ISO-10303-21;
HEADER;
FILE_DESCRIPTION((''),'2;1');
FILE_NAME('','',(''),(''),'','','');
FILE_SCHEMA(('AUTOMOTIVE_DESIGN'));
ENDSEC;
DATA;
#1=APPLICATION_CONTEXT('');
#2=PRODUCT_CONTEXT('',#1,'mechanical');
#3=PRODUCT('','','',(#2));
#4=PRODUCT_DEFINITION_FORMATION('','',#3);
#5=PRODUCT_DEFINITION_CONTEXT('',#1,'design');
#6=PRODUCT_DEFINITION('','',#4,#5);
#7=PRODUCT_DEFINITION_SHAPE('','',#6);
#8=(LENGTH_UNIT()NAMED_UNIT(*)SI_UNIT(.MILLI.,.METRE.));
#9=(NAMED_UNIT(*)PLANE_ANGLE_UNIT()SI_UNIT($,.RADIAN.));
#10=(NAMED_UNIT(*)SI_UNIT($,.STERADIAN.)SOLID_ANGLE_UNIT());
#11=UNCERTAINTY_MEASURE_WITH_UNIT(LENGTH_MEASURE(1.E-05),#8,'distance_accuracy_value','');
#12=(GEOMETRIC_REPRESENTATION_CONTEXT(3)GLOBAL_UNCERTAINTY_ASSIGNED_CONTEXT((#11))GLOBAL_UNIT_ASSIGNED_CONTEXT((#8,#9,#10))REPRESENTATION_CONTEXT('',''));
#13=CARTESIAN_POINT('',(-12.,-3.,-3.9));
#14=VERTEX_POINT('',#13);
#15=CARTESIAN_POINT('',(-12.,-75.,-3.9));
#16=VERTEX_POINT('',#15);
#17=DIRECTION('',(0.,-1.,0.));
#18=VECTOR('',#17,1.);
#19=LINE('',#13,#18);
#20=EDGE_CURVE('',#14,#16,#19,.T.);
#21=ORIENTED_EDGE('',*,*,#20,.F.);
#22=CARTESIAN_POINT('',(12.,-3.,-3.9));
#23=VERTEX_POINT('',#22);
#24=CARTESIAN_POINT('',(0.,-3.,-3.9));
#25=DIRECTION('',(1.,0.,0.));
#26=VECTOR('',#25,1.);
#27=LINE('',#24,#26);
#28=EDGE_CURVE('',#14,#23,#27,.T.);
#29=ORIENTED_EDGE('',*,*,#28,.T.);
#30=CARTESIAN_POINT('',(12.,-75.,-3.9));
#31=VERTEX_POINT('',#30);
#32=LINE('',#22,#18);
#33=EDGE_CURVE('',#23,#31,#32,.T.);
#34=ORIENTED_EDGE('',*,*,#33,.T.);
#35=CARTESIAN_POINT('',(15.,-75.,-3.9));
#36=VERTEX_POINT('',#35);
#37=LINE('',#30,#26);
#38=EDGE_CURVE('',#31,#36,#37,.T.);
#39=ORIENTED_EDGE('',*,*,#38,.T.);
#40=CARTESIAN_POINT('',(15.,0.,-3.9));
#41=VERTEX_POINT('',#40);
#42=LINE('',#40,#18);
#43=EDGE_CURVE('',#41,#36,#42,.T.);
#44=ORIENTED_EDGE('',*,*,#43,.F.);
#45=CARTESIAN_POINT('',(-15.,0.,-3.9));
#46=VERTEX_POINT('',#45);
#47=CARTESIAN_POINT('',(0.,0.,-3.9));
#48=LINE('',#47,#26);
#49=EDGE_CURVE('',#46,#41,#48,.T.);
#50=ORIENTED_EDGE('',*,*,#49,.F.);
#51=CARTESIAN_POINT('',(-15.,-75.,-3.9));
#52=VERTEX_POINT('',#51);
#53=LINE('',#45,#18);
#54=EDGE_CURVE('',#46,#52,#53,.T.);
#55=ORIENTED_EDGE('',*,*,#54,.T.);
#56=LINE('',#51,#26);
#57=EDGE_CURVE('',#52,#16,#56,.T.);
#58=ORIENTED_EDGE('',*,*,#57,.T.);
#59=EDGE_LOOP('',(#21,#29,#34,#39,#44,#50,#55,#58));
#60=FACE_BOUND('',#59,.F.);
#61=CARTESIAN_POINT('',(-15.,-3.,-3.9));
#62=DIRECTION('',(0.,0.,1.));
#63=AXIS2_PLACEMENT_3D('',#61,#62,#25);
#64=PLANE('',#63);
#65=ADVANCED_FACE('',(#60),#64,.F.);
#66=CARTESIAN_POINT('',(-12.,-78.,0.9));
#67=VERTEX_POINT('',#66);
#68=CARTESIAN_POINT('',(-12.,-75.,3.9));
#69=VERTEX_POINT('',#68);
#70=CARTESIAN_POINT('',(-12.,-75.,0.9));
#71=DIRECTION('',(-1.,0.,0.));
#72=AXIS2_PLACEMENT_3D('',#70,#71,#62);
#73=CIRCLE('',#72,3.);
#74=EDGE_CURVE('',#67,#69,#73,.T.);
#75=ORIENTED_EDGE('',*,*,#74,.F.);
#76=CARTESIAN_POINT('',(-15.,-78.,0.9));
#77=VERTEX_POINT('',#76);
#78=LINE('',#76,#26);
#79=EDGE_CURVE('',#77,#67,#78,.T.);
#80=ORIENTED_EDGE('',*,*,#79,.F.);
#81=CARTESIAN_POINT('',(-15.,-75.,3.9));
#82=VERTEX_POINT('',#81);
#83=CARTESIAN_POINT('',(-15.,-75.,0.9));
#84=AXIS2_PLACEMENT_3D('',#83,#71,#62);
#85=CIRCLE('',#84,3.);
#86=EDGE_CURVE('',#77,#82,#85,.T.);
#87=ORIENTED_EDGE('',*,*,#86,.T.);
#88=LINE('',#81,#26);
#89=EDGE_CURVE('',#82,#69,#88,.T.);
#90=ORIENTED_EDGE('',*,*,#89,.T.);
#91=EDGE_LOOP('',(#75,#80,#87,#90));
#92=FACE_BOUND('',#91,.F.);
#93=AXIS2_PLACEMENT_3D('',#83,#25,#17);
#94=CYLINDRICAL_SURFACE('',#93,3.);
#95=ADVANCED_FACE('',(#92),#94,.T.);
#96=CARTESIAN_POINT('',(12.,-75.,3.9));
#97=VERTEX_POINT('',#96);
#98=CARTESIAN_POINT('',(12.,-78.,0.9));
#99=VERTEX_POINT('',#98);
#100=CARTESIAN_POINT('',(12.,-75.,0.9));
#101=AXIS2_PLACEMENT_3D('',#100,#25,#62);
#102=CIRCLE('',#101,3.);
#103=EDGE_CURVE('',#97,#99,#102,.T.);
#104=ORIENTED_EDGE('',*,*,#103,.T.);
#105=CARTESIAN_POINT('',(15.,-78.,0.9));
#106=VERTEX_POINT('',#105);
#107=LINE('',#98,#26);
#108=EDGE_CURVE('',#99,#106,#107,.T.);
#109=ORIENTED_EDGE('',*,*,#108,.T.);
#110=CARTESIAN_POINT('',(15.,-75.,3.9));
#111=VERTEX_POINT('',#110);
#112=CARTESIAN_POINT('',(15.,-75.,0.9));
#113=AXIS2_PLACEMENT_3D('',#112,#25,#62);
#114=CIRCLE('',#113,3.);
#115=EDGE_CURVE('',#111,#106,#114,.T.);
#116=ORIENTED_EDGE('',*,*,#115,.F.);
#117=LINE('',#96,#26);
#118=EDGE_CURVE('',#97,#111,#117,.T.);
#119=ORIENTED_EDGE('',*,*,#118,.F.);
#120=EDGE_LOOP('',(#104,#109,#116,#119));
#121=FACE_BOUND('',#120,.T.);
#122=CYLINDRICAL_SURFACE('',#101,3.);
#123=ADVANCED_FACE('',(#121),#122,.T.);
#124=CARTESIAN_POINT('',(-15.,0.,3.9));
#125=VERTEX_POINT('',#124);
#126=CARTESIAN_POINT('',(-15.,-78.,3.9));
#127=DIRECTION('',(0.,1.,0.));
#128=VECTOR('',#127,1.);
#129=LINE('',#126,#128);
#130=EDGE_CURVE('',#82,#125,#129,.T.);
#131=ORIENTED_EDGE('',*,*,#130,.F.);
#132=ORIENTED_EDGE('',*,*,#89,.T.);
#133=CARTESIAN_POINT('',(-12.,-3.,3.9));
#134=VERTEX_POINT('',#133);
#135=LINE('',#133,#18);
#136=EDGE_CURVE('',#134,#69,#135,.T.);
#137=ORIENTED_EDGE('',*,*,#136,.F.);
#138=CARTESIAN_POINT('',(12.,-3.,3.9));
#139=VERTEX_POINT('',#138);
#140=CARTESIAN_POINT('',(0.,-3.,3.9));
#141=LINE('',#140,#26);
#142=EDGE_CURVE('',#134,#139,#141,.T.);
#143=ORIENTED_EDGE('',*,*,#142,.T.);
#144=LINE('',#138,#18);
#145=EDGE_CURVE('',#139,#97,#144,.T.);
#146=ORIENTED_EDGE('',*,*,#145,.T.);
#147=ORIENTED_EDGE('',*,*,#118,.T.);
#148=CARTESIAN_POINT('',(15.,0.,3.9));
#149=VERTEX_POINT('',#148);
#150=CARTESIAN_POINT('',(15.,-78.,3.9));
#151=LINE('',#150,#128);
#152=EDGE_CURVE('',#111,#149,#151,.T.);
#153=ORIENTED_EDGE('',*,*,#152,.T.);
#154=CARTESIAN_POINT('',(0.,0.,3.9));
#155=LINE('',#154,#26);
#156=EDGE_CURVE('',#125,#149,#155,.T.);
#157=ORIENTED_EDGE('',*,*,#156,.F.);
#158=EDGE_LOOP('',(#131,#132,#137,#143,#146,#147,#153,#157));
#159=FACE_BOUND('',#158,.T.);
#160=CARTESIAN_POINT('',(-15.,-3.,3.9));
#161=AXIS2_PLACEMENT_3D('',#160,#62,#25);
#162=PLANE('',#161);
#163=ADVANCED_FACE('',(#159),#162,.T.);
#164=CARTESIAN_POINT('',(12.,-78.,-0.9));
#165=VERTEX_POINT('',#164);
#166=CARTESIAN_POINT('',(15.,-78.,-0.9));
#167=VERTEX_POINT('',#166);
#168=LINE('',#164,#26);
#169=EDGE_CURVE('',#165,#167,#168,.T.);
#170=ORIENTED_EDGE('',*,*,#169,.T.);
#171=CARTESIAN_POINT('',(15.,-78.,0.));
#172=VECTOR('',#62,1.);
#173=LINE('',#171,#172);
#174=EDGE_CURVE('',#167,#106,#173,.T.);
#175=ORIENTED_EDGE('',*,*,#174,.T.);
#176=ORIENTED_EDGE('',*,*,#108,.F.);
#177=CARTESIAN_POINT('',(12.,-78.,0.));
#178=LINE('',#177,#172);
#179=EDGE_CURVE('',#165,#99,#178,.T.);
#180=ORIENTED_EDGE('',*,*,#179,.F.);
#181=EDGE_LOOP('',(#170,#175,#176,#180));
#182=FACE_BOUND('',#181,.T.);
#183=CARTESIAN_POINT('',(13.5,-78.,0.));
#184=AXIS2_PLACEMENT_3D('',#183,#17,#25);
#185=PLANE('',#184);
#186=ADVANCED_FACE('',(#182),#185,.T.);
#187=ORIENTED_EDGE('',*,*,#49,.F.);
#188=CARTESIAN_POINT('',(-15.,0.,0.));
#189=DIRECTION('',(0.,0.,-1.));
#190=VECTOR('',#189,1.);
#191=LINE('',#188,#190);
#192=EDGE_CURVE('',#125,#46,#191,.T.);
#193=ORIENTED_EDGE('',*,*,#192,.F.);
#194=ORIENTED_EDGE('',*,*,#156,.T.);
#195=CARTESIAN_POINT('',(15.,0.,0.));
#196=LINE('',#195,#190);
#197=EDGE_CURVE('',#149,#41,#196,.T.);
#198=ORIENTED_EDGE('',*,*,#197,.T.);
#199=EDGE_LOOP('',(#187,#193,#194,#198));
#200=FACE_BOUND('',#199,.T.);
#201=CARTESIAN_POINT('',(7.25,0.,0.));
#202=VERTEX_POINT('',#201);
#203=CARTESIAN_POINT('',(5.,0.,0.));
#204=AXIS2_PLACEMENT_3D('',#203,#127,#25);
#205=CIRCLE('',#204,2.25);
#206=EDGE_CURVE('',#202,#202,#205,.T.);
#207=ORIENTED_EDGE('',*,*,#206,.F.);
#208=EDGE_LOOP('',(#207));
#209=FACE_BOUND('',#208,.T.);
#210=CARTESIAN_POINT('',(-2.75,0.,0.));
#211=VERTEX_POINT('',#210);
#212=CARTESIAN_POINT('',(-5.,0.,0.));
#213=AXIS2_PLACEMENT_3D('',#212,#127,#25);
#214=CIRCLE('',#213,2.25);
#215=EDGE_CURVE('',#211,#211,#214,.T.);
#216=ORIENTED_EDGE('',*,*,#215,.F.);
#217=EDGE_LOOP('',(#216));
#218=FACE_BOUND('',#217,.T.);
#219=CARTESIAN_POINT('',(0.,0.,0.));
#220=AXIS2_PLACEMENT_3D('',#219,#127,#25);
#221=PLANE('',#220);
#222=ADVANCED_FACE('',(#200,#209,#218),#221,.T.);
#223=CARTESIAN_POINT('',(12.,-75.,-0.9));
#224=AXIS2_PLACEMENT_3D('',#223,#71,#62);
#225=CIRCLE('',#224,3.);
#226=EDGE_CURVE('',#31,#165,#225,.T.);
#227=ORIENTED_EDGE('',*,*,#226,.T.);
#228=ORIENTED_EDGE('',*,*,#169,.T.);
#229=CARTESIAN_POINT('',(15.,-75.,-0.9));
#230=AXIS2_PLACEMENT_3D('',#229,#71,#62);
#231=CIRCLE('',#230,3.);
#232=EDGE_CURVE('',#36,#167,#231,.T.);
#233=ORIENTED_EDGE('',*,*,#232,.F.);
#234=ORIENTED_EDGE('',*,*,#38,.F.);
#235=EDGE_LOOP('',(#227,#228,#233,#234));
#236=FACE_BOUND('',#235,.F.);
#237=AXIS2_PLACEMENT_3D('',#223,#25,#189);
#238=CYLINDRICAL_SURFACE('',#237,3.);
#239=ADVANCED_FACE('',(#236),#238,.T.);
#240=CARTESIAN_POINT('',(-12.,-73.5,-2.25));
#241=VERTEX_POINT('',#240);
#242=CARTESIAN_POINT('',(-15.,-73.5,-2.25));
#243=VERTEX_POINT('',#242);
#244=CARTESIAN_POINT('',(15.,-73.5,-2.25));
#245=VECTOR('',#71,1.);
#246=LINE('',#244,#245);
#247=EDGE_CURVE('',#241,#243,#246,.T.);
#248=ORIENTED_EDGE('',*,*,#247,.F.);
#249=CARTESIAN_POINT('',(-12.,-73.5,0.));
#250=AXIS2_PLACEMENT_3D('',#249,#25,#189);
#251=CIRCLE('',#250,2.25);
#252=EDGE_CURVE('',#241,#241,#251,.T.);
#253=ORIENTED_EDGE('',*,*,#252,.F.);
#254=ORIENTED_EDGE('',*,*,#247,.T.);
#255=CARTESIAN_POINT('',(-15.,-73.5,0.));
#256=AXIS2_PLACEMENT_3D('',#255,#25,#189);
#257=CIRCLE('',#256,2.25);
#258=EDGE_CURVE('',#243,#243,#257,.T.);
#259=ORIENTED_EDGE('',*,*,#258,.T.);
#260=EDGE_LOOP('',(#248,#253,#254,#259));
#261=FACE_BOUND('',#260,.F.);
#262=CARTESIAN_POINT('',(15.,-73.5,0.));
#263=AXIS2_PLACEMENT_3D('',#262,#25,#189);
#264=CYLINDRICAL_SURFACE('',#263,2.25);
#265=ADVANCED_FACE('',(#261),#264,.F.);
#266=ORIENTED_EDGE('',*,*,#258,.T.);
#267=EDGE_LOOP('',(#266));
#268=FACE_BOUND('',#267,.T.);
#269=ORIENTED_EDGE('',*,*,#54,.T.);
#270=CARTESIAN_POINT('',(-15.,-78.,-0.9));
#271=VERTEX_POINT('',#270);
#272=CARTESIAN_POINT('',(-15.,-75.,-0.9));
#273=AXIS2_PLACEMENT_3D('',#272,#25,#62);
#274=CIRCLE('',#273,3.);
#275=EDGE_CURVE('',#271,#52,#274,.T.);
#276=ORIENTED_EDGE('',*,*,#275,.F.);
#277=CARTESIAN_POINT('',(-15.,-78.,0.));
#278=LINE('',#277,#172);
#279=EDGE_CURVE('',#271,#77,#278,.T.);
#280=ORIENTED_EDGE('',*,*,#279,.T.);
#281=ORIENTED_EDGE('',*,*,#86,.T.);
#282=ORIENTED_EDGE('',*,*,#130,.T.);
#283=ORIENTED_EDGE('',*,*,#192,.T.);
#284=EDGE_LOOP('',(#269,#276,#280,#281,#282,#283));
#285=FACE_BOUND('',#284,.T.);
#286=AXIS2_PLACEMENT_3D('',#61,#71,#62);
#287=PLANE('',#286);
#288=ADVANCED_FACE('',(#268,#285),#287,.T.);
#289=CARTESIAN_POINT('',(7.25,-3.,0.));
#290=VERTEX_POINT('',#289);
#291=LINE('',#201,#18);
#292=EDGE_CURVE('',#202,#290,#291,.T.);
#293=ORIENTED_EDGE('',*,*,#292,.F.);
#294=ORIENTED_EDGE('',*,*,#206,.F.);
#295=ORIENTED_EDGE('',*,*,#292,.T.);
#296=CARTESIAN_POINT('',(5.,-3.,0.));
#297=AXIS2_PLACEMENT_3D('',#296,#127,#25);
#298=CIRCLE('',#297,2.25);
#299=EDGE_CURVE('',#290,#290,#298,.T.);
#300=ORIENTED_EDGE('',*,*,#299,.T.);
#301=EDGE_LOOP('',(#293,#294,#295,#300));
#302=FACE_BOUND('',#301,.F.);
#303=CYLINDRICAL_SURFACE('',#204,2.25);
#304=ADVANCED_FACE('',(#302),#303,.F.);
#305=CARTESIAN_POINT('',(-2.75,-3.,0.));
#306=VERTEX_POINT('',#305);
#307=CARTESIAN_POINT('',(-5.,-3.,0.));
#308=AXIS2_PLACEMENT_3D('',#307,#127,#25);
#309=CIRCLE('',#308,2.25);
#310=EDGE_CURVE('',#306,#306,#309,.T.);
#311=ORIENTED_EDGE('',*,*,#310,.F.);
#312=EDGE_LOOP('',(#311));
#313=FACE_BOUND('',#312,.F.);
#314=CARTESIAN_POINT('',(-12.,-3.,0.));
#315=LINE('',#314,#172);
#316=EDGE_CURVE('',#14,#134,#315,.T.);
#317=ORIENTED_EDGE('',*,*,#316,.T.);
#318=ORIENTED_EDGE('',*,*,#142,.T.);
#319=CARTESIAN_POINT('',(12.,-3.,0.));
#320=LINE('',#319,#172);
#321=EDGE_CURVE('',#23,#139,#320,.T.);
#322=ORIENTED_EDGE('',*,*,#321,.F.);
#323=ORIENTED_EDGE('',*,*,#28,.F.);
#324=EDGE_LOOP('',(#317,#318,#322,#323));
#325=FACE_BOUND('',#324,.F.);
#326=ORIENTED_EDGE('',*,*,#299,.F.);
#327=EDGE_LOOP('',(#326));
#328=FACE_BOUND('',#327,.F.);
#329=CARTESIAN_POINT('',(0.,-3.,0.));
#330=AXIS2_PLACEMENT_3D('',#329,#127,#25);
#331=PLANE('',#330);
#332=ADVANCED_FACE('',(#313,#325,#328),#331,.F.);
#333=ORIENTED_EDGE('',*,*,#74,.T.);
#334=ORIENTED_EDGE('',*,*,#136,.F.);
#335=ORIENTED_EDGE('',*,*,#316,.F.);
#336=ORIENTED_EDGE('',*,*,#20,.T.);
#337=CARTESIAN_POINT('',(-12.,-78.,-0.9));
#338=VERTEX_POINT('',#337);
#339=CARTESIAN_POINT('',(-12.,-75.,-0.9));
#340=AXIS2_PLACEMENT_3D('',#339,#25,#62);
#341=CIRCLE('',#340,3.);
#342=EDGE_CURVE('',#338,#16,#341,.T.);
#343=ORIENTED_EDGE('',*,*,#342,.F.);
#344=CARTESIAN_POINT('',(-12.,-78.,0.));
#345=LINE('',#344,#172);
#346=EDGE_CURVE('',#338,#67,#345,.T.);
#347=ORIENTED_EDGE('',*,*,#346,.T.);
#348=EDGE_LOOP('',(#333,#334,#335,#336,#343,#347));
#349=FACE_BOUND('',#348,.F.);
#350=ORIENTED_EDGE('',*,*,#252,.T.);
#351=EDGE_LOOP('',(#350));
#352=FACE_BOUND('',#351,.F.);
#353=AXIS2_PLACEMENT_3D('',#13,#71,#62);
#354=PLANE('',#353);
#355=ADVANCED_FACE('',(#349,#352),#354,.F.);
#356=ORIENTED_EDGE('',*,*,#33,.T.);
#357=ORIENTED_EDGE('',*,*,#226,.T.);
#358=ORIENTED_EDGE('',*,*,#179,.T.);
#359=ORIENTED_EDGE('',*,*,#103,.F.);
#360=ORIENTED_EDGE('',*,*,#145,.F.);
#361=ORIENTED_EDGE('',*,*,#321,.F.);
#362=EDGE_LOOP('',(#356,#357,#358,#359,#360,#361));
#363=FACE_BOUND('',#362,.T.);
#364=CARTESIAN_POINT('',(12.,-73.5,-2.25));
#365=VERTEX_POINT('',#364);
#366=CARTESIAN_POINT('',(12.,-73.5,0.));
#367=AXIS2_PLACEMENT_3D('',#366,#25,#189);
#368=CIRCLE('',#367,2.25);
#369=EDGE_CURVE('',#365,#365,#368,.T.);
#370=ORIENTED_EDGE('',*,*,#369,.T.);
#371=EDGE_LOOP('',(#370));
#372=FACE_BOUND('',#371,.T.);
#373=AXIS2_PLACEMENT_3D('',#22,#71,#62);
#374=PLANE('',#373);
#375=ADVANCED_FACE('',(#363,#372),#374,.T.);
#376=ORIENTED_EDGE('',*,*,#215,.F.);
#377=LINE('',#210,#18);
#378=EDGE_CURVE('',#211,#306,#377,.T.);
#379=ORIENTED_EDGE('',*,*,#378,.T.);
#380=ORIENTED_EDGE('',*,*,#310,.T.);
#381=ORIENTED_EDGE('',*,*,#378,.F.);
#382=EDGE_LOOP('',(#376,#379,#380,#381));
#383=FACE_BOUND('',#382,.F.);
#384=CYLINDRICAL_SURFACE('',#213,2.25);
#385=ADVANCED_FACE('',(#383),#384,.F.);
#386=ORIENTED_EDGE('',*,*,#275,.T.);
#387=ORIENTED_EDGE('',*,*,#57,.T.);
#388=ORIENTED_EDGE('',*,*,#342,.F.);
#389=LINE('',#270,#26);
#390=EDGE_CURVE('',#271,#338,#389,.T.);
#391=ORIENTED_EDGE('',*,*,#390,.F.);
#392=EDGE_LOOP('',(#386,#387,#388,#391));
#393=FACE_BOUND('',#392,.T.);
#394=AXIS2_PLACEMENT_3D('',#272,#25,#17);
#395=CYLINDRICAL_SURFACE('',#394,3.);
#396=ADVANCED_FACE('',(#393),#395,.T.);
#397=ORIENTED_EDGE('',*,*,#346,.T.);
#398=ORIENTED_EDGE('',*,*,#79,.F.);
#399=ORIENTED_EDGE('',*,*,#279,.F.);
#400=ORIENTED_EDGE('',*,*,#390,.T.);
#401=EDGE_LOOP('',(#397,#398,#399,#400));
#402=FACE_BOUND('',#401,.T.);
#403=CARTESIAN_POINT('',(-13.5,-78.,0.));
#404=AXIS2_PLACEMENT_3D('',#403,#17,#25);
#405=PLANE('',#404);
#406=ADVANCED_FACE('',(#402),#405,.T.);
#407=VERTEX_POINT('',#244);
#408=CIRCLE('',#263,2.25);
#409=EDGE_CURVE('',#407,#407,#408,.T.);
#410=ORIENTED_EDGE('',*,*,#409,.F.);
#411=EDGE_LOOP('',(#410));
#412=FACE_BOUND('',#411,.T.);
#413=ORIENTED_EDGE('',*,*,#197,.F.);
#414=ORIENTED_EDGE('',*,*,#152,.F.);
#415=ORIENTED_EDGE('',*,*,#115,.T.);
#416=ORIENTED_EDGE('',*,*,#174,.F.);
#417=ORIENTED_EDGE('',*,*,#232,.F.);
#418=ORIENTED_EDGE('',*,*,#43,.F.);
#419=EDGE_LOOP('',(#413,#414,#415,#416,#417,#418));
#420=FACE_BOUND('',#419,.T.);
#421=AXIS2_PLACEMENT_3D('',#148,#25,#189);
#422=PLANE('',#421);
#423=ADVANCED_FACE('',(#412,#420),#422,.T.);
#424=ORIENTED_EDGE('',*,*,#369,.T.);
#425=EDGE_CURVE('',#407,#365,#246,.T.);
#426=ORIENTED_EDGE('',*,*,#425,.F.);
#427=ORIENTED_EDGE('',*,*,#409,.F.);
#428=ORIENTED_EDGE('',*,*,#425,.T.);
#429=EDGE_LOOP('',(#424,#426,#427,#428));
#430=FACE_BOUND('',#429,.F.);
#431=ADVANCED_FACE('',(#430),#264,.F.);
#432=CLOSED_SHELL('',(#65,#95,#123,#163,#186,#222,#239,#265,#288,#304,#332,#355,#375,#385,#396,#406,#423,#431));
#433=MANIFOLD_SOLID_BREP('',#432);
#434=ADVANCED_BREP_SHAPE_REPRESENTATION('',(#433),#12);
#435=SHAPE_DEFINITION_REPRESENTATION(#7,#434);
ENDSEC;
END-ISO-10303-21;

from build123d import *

# Parameters (mm, degrees)
SKETCH1_W               = 30
SKETCH1_H               = 7.8
BOSS_EXTRUDE1_DEPTH     = 3
CUT_EXTRUDE1_REACH      = 5
SKETCH2_R               = 2.25
SKETCH3_W               = 3
SKETCH3_H               = 7.8
BOSS_EXTRUDE2_DEPTH     = 75
SKETCH4_R               = 2.25
CUT_EXTRUDE2_DEPTH      = 1
CUT_EXTRUDE2_DEPTH_BACK = 31
FILLET1_R               = 3


with BuildPart() as part:
    # Sketch1 → Boss-Extrude1 (new body)
    with BuildSketch(Plane(origin=(0, 0, 0), x_dir=(1, 0, 0), z_dir=(0, 1, 0))):
        Rectangle(SKETCH1_W, SKETCH1_H)
    extrude(amount=-BOSS_EXTRUDE1_DEPTH)

    # Sketch2 → Cut-Extrude1 (cut, up to next)
    with BuildSketch(Plane(origin=(0, 0, 0), x_dir=(1, 0, 0), z_dir=(0, 1, 0)), mode=Mode.PRIVATE) as cut_extrude1_sk1:
        with Locations((-5, 0)):
            Circle(SKETCH2_R)
    cut_extrude1_tool1 = extrude(cut_extrude1_sk1.sketch, amount=-CUT_EXTRUDE1_REACH, mode=Mode.PRIVATE) & part.part
    add(cut_extrude1_tool1.solids().sort_by_distance((-5, 0, 0))[0], mode=Mode.SUBTRACT)
    # Sketch2 → Cut-Extrude1 (cut, up to next)
    with BuildSketch(Plane(origin=(0, 0, 0), x_dir=(1, 0, 0), z_dir=(0, 1, 0)), mode=Mode.PRIVATE) as cut_extrude1_sk2:
        with Locations((5, 0)):
            Circle(SKETCH2_R)
    cut_extrude1_tool2 = extrude(cut_extrude1_sk2.sketch, amount=-CUT_EXTRUDE1_REACH, mode=Mode.PRIVATE) & part.part
    add(cut_extrude1_tool2.solids().sort_by_distance((5, 0, 0))[0], mode=Mode.SUBTRACT)

    # Sketch3 → Boss-Extrude2 (add)
    with BuildSketch(Plane.XZ.offset(3)):
        with Locations((-13.5, 0)):
            Rectangle(SKETCH3_W, SKETCH3_H)
        with Locations((13.5, 0)):
            Rectangle(SKETCH3_W, SKETCH3_H)
    extrude(amount=BOSS_EXTRUDE2_DEPTH)

    # Sketch4 → Cut-Extrude2 (cut, two sides)
    with BuildSketch(Plane(origin=(15, 0, 0), x_dir=(0, 0, -1), z_dir=(1, 0, 0))) as cut_extrude2_sk:
        with Locations((0, -73.5)):
            Circle(SKETCH4_R)
    extrude(amount=CUT_EXTRUDE2_DEPTH, mode=Mode.SUBTRACT)
    extrude(cut_extrude2_sk.sketch, amount=-CUT_EXTRUDE2_DEPTH_BACK, mode=Mode.SUBTRACT)

    # Fillet1
    fillet1_edges = [part.edges().sort_by_distance(p)[0] for p in [
        (-13.5, -78, -3.9),
        (-13.5, -78, 3.9),
        (13.5, -78, 3.9),
        (13.5, -78, -3.9),
    ]]
    fillet(fillet1_edges, radius=FILLET1_R)


solid = part.part
